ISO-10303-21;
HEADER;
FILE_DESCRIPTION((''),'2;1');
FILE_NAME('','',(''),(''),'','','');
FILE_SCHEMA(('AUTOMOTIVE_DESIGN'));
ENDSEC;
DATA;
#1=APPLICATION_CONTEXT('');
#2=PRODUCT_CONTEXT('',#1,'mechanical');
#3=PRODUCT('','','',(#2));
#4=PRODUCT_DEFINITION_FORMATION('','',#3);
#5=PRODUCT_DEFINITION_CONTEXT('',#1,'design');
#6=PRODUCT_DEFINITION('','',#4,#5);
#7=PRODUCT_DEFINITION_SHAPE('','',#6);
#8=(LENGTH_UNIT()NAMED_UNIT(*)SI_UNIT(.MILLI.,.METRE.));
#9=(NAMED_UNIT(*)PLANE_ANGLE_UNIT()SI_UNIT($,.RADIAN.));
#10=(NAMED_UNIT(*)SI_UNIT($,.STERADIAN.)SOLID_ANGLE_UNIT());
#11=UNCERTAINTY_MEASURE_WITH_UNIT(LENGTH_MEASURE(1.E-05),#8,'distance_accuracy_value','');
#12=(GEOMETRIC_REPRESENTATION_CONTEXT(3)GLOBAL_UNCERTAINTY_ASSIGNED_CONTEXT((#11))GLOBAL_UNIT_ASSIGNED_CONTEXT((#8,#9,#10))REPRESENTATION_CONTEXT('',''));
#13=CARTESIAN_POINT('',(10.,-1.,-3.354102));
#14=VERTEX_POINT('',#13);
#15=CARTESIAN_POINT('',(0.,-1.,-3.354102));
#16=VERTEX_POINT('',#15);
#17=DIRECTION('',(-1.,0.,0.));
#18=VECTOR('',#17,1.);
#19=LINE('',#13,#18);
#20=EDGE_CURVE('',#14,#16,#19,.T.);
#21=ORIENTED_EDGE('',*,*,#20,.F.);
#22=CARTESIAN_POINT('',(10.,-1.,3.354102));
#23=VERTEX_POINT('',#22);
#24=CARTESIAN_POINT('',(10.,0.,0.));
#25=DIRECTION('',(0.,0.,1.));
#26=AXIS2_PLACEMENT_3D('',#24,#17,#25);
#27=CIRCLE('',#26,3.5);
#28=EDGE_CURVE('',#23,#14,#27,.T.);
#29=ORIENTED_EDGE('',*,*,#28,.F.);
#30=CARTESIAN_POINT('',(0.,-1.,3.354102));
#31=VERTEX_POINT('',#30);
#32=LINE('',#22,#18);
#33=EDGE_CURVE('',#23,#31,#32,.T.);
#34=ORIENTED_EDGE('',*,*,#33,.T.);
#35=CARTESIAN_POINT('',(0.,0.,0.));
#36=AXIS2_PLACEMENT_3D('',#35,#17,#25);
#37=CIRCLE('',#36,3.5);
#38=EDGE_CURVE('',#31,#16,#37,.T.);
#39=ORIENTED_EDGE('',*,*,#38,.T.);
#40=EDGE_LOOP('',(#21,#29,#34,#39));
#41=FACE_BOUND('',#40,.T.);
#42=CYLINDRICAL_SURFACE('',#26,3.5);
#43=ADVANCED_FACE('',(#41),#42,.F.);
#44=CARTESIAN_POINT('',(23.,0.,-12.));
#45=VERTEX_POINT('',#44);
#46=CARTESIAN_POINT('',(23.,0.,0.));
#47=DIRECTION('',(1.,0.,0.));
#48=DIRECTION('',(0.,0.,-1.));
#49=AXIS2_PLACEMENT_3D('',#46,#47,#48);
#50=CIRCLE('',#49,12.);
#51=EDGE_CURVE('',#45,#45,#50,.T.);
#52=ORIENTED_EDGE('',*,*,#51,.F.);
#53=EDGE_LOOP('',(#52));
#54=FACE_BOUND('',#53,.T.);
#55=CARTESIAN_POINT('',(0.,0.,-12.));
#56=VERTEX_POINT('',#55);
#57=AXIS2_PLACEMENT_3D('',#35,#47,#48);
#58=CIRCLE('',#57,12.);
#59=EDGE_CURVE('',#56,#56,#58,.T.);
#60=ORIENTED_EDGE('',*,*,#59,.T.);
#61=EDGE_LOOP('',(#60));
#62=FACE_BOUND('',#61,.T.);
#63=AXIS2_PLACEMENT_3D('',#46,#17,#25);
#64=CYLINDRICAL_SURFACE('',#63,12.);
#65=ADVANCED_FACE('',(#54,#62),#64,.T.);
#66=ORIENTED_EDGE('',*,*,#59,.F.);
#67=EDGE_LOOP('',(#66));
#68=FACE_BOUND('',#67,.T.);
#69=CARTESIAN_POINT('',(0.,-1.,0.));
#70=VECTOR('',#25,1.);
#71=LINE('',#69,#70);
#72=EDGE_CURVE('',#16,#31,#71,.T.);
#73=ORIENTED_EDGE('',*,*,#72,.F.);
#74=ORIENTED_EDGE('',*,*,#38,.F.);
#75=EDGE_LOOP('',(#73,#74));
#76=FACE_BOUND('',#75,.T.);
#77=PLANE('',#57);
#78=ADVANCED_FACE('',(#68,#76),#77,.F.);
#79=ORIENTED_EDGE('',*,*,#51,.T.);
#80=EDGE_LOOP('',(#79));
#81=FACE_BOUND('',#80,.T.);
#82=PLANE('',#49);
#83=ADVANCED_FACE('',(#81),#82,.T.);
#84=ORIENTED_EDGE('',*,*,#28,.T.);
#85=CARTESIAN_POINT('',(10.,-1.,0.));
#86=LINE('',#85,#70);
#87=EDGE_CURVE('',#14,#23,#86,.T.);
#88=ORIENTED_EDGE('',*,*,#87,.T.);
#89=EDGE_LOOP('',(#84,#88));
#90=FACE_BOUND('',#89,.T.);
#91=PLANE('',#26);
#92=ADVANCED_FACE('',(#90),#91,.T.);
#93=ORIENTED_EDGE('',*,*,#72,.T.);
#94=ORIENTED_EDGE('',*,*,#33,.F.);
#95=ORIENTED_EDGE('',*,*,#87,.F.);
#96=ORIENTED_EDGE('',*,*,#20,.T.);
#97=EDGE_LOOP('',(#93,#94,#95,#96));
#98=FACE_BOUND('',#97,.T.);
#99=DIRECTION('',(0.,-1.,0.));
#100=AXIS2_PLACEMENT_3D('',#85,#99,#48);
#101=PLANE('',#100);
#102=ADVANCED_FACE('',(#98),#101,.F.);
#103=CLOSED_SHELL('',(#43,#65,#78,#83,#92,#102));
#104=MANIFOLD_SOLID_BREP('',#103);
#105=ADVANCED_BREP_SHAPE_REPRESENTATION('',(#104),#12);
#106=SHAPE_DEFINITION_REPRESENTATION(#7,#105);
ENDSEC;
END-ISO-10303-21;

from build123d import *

# Parameters (mm, degrees)
SKETCH1_R           = 12
BOSS_EXTRUDE1_DEPTH = 23
CUT_EXTRUDE1_DEPTH  = 10


with BuildPart() as part:
    # Sketch1 → Boss-Extrude1 (new body)
    with BuildSketch(Plane(origin=(0, 0, 0), x_dir=(0, 0, -1), z_dir=(1, 0, 0))):
        Circle(SKETCH1_R)
    extrude(amount=BOSS_EXTRUDE1_DEPTH)

    # Sketch2 → Cut-Extrude1 (cut)
    with BuildSketch(Plane.ZY):
        with BuildLine():
            ThreePointArc((3.5, 0), (-0.505293538, 3.463333429), (-3.354101966, -1))
            Line((-3.354101966, -1), (3.354101966, -1))
            ThreePointArc((3.354101966, -1), (3.463333429, -0.505293538), (3.5, 0))
        make_face()
    extrude(amount=-CUT_EXTRUDE1_DEPTH, mode=Mode.SUBTRACT)


solid = part.part
